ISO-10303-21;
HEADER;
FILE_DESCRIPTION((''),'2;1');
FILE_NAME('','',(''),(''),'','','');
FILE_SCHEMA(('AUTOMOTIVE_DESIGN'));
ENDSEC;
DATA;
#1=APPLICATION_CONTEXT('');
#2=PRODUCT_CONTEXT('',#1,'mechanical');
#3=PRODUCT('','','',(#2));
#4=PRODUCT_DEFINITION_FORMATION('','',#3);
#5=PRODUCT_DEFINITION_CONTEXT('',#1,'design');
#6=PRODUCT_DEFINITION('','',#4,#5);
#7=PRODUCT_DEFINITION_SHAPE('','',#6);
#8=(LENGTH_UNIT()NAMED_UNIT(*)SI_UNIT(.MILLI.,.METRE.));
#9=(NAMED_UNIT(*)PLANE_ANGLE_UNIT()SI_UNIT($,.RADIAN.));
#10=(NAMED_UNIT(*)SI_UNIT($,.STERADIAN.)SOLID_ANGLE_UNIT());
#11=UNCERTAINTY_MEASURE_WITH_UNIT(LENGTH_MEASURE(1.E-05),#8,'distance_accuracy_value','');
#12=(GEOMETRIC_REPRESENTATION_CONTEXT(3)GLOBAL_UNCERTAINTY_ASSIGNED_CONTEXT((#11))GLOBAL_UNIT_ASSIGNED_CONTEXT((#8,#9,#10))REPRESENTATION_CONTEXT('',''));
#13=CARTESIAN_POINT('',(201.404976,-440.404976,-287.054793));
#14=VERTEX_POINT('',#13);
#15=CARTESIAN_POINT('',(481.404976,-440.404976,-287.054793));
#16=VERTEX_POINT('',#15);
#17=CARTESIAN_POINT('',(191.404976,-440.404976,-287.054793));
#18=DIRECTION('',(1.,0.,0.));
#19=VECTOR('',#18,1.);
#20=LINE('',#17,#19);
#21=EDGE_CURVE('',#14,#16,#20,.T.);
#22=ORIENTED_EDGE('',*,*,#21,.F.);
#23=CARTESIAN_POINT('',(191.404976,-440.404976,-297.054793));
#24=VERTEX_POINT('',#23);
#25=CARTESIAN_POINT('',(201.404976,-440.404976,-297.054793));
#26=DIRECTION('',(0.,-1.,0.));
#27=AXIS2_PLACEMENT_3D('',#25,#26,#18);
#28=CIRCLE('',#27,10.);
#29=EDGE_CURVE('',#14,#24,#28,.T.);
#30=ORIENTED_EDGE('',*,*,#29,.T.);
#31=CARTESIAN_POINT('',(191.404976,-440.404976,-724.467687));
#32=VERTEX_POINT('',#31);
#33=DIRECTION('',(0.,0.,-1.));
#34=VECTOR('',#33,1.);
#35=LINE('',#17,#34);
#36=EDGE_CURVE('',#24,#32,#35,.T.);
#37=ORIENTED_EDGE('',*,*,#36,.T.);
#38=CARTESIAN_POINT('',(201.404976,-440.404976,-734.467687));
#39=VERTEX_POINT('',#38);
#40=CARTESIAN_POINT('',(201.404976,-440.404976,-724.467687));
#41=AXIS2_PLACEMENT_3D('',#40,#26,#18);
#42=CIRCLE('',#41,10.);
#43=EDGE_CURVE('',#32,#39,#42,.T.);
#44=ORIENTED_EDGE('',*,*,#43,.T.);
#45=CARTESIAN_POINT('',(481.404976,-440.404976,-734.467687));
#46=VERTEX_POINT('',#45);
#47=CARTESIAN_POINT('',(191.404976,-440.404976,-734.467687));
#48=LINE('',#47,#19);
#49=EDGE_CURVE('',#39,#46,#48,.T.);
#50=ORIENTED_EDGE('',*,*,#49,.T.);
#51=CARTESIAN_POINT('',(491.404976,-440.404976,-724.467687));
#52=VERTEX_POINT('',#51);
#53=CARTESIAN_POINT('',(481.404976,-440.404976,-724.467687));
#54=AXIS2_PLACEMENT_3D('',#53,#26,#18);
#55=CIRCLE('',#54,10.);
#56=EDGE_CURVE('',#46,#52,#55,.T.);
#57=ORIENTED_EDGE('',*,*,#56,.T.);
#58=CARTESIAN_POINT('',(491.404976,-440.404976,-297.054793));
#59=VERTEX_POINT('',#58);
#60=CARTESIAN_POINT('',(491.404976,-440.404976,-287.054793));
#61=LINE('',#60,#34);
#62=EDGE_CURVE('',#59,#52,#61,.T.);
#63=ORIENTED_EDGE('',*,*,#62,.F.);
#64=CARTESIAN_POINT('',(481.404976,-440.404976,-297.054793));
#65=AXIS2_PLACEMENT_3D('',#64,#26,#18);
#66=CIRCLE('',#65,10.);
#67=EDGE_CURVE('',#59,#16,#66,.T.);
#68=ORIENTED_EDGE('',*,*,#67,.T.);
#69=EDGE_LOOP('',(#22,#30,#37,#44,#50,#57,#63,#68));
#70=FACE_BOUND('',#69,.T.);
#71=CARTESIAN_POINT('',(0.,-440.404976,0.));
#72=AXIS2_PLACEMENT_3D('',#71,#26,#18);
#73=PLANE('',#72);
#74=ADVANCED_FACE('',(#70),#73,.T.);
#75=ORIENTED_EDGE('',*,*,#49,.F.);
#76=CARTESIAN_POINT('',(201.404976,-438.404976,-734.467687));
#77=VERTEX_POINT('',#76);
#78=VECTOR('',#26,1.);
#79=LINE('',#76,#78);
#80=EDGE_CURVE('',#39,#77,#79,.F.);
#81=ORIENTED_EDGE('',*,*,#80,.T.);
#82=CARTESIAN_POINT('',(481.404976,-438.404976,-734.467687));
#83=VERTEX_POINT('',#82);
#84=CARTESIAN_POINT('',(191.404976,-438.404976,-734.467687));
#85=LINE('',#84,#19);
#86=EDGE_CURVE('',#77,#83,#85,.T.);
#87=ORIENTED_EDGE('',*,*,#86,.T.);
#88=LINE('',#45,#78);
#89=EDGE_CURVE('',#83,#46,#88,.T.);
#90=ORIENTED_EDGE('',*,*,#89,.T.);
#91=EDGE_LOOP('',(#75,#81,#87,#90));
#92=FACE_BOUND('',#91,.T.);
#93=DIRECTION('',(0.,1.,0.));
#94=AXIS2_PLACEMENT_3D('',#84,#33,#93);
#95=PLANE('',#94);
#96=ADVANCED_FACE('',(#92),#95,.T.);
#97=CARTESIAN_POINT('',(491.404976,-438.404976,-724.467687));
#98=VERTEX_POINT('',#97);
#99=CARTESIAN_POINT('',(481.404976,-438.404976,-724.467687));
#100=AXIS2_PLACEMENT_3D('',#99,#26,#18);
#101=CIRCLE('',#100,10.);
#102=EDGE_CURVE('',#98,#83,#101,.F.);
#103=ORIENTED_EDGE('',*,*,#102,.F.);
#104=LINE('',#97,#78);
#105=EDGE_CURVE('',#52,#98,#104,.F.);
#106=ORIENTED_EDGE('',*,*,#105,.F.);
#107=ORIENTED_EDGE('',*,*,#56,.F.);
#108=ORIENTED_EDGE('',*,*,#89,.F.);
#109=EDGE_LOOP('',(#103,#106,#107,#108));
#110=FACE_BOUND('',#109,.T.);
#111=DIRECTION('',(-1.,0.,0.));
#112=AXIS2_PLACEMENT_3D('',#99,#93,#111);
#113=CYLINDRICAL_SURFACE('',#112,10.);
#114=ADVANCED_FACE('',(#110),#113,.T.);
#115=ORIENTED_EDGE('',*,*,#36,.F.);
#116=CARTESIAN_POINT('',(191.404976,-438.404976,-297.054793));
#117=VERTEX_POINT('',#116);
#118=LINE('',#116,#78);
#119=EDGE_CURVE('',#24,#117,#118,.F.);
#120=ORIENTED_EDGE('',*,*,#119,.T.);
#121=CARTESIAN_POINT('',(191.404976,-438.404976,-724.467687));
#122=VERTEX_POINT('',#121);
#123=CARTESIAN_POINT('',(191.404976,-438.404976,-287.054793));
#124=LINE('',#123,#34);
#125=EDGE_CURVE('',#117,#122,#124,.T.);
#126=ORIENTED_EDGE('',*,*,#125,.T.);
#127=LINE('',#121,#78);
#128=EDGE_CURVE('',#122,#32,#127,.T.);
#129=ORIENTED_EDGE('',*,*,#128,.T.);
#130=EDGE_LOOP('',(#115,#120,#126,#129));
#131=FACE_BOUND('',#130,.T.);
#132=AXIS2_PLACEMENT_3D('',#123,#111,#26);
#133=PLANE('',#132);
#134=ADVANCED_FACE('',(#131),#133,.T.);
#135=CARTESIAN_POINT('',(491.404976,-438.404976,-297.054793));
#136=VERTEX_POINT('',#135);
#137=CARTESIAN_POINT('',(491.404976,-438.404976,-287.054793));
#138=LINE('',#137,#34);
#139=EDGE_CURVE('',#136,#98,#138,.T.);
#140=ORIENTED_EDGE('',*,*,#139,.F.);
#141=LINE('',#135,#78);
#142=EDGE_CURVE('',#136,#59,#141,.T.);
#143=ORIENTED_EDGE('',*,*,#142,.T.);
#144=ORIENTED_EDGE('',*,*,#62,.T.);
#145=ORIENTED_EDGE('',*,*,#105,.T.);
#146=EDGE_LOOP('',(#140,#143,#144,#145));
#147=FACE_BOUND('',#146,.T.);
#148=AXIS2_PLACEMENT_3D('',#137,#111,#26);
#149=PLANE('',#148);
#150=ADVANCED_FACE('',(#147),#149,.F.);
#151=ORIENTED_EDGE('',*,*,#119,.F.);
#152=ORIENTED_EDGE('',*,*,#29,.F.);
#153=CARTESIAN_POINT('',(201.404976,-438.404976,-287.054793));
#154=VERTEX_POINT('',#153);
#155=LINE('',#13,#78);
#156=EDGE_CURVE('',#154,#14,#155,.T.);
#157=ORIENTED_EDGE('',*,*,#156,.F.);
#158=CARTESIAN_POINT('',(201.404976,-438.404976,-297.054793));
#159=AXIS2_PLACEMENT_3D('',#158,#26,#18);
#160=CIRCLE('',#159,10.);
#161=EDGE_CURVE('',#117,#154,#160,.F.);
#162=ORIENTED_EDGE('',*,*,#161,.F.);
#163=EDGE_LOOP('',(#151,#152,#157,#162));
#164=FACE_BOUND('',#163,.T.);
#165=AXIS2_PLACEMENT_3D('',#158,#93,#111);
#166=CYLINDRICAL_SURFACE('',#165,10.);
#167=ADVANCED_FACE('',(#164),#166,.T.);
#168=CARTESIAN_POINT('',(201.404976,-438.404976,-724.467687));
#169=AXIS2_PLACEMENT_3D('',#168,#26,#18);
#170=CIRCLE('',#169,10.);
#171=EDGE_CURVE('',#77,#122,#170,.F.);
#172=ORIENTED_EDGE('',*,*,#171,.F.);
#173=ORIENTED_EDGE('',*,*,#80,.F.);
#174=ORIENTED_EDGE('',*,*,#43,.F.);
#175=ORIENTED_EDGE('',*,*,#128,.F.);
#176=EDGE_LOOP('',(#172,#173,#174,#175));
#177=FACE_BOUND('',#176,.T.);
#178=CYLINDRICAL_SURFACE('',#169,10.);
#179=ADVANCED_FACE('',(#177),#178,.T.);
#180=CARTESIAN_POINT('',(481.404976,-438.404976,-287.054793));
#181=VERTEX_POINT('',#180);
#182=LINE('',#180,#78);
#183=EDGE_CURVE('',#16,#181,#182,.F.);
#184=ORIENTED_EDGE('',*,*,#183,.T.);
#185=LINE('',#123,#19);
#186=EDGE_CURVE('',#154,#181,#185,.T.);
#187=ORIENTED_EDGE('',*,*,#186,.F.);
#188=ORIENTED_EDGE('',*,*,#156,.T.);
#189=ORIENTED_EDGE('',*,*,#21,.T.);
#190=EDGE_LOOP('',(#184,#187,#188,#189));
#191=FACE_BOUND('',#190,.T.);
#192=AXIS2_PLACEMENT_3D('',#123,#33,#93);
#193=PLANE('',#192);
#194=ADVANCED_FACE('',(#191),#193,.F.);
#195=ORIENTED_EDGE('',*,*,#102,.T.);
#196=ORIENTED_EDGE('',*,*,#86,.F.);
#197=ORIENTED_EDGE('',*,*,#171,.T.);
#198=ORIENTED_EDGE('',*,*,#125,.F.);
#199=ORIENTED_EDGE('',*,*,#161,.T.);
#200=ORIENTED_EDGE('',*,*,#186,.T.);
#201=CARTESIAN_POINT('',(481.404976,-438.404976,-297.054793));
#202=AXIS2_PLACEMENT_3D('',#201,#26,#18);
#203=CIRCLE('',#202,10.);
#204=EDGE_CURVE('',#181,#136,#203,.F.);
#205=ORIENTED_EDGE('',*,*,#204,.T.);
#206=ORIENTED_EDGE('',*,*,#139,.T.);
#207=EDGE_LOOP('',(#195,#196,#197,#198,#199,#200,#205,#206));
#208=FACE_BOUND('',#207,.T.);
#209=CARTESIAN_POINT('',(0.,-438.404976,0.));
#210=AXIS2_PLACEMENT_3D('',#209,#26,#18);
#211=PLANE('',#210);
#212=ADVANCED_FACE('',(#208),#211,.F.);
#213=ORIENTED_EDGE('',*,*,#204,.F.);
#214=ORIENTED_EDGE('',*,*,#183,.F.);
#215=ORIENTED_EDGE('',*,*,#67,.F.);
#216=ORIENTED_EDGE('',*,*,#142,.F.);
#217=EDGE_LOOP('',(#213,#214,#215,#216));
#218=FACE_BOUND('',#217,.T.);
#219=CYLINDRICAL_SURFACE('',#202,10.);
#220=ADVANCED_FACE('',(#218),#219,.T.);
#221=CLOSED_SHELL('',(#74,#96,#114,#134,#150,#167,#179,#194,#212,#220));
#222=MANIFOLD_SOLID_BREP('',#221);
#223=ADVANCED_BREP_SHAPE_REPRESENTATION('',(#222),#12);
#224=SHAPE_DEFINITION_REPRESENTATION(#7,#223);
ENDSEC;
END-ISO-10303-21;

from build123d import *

# Parameters (mm, degrees)
SKETCH1_W           = 447.412893907
SKETCH1_H           = 300
BOSS_EXTRUDE1_DEPTH = 2
FILLET1_R           = 10


with BuildPart() as part:
    # Sketch1 → Boss-Extrude1 (new body)
    with BuildSketch(Plane(origin=(0, -440.404976336, -903.561423627), x_dir=(0, 0, -1), z_dir=(0, 1, 0))):
        with Locations((-392.800183226, -341.40497634)):
            Rectangle(SKETCH1_W, SKETCH1_H)
    extrude(amount=BOSS_EXTRUDE1_DEPTH)

    # Fillet1
    fillet1_edges = [part.edges().sort_by_distance(p)[0] for p in [
        (191.40497634, -439.404976336, -287.054793447),
        (491.40497634, -439.404976336, -287.054793447),
        (491.40497634, -439.404976336, -734.467687355),
        (191.40497634, -439.404976336, -734.467687355),
    ]]
    fillet(fillet1_edges, radius=FILLET1_R)


solid = part.part
